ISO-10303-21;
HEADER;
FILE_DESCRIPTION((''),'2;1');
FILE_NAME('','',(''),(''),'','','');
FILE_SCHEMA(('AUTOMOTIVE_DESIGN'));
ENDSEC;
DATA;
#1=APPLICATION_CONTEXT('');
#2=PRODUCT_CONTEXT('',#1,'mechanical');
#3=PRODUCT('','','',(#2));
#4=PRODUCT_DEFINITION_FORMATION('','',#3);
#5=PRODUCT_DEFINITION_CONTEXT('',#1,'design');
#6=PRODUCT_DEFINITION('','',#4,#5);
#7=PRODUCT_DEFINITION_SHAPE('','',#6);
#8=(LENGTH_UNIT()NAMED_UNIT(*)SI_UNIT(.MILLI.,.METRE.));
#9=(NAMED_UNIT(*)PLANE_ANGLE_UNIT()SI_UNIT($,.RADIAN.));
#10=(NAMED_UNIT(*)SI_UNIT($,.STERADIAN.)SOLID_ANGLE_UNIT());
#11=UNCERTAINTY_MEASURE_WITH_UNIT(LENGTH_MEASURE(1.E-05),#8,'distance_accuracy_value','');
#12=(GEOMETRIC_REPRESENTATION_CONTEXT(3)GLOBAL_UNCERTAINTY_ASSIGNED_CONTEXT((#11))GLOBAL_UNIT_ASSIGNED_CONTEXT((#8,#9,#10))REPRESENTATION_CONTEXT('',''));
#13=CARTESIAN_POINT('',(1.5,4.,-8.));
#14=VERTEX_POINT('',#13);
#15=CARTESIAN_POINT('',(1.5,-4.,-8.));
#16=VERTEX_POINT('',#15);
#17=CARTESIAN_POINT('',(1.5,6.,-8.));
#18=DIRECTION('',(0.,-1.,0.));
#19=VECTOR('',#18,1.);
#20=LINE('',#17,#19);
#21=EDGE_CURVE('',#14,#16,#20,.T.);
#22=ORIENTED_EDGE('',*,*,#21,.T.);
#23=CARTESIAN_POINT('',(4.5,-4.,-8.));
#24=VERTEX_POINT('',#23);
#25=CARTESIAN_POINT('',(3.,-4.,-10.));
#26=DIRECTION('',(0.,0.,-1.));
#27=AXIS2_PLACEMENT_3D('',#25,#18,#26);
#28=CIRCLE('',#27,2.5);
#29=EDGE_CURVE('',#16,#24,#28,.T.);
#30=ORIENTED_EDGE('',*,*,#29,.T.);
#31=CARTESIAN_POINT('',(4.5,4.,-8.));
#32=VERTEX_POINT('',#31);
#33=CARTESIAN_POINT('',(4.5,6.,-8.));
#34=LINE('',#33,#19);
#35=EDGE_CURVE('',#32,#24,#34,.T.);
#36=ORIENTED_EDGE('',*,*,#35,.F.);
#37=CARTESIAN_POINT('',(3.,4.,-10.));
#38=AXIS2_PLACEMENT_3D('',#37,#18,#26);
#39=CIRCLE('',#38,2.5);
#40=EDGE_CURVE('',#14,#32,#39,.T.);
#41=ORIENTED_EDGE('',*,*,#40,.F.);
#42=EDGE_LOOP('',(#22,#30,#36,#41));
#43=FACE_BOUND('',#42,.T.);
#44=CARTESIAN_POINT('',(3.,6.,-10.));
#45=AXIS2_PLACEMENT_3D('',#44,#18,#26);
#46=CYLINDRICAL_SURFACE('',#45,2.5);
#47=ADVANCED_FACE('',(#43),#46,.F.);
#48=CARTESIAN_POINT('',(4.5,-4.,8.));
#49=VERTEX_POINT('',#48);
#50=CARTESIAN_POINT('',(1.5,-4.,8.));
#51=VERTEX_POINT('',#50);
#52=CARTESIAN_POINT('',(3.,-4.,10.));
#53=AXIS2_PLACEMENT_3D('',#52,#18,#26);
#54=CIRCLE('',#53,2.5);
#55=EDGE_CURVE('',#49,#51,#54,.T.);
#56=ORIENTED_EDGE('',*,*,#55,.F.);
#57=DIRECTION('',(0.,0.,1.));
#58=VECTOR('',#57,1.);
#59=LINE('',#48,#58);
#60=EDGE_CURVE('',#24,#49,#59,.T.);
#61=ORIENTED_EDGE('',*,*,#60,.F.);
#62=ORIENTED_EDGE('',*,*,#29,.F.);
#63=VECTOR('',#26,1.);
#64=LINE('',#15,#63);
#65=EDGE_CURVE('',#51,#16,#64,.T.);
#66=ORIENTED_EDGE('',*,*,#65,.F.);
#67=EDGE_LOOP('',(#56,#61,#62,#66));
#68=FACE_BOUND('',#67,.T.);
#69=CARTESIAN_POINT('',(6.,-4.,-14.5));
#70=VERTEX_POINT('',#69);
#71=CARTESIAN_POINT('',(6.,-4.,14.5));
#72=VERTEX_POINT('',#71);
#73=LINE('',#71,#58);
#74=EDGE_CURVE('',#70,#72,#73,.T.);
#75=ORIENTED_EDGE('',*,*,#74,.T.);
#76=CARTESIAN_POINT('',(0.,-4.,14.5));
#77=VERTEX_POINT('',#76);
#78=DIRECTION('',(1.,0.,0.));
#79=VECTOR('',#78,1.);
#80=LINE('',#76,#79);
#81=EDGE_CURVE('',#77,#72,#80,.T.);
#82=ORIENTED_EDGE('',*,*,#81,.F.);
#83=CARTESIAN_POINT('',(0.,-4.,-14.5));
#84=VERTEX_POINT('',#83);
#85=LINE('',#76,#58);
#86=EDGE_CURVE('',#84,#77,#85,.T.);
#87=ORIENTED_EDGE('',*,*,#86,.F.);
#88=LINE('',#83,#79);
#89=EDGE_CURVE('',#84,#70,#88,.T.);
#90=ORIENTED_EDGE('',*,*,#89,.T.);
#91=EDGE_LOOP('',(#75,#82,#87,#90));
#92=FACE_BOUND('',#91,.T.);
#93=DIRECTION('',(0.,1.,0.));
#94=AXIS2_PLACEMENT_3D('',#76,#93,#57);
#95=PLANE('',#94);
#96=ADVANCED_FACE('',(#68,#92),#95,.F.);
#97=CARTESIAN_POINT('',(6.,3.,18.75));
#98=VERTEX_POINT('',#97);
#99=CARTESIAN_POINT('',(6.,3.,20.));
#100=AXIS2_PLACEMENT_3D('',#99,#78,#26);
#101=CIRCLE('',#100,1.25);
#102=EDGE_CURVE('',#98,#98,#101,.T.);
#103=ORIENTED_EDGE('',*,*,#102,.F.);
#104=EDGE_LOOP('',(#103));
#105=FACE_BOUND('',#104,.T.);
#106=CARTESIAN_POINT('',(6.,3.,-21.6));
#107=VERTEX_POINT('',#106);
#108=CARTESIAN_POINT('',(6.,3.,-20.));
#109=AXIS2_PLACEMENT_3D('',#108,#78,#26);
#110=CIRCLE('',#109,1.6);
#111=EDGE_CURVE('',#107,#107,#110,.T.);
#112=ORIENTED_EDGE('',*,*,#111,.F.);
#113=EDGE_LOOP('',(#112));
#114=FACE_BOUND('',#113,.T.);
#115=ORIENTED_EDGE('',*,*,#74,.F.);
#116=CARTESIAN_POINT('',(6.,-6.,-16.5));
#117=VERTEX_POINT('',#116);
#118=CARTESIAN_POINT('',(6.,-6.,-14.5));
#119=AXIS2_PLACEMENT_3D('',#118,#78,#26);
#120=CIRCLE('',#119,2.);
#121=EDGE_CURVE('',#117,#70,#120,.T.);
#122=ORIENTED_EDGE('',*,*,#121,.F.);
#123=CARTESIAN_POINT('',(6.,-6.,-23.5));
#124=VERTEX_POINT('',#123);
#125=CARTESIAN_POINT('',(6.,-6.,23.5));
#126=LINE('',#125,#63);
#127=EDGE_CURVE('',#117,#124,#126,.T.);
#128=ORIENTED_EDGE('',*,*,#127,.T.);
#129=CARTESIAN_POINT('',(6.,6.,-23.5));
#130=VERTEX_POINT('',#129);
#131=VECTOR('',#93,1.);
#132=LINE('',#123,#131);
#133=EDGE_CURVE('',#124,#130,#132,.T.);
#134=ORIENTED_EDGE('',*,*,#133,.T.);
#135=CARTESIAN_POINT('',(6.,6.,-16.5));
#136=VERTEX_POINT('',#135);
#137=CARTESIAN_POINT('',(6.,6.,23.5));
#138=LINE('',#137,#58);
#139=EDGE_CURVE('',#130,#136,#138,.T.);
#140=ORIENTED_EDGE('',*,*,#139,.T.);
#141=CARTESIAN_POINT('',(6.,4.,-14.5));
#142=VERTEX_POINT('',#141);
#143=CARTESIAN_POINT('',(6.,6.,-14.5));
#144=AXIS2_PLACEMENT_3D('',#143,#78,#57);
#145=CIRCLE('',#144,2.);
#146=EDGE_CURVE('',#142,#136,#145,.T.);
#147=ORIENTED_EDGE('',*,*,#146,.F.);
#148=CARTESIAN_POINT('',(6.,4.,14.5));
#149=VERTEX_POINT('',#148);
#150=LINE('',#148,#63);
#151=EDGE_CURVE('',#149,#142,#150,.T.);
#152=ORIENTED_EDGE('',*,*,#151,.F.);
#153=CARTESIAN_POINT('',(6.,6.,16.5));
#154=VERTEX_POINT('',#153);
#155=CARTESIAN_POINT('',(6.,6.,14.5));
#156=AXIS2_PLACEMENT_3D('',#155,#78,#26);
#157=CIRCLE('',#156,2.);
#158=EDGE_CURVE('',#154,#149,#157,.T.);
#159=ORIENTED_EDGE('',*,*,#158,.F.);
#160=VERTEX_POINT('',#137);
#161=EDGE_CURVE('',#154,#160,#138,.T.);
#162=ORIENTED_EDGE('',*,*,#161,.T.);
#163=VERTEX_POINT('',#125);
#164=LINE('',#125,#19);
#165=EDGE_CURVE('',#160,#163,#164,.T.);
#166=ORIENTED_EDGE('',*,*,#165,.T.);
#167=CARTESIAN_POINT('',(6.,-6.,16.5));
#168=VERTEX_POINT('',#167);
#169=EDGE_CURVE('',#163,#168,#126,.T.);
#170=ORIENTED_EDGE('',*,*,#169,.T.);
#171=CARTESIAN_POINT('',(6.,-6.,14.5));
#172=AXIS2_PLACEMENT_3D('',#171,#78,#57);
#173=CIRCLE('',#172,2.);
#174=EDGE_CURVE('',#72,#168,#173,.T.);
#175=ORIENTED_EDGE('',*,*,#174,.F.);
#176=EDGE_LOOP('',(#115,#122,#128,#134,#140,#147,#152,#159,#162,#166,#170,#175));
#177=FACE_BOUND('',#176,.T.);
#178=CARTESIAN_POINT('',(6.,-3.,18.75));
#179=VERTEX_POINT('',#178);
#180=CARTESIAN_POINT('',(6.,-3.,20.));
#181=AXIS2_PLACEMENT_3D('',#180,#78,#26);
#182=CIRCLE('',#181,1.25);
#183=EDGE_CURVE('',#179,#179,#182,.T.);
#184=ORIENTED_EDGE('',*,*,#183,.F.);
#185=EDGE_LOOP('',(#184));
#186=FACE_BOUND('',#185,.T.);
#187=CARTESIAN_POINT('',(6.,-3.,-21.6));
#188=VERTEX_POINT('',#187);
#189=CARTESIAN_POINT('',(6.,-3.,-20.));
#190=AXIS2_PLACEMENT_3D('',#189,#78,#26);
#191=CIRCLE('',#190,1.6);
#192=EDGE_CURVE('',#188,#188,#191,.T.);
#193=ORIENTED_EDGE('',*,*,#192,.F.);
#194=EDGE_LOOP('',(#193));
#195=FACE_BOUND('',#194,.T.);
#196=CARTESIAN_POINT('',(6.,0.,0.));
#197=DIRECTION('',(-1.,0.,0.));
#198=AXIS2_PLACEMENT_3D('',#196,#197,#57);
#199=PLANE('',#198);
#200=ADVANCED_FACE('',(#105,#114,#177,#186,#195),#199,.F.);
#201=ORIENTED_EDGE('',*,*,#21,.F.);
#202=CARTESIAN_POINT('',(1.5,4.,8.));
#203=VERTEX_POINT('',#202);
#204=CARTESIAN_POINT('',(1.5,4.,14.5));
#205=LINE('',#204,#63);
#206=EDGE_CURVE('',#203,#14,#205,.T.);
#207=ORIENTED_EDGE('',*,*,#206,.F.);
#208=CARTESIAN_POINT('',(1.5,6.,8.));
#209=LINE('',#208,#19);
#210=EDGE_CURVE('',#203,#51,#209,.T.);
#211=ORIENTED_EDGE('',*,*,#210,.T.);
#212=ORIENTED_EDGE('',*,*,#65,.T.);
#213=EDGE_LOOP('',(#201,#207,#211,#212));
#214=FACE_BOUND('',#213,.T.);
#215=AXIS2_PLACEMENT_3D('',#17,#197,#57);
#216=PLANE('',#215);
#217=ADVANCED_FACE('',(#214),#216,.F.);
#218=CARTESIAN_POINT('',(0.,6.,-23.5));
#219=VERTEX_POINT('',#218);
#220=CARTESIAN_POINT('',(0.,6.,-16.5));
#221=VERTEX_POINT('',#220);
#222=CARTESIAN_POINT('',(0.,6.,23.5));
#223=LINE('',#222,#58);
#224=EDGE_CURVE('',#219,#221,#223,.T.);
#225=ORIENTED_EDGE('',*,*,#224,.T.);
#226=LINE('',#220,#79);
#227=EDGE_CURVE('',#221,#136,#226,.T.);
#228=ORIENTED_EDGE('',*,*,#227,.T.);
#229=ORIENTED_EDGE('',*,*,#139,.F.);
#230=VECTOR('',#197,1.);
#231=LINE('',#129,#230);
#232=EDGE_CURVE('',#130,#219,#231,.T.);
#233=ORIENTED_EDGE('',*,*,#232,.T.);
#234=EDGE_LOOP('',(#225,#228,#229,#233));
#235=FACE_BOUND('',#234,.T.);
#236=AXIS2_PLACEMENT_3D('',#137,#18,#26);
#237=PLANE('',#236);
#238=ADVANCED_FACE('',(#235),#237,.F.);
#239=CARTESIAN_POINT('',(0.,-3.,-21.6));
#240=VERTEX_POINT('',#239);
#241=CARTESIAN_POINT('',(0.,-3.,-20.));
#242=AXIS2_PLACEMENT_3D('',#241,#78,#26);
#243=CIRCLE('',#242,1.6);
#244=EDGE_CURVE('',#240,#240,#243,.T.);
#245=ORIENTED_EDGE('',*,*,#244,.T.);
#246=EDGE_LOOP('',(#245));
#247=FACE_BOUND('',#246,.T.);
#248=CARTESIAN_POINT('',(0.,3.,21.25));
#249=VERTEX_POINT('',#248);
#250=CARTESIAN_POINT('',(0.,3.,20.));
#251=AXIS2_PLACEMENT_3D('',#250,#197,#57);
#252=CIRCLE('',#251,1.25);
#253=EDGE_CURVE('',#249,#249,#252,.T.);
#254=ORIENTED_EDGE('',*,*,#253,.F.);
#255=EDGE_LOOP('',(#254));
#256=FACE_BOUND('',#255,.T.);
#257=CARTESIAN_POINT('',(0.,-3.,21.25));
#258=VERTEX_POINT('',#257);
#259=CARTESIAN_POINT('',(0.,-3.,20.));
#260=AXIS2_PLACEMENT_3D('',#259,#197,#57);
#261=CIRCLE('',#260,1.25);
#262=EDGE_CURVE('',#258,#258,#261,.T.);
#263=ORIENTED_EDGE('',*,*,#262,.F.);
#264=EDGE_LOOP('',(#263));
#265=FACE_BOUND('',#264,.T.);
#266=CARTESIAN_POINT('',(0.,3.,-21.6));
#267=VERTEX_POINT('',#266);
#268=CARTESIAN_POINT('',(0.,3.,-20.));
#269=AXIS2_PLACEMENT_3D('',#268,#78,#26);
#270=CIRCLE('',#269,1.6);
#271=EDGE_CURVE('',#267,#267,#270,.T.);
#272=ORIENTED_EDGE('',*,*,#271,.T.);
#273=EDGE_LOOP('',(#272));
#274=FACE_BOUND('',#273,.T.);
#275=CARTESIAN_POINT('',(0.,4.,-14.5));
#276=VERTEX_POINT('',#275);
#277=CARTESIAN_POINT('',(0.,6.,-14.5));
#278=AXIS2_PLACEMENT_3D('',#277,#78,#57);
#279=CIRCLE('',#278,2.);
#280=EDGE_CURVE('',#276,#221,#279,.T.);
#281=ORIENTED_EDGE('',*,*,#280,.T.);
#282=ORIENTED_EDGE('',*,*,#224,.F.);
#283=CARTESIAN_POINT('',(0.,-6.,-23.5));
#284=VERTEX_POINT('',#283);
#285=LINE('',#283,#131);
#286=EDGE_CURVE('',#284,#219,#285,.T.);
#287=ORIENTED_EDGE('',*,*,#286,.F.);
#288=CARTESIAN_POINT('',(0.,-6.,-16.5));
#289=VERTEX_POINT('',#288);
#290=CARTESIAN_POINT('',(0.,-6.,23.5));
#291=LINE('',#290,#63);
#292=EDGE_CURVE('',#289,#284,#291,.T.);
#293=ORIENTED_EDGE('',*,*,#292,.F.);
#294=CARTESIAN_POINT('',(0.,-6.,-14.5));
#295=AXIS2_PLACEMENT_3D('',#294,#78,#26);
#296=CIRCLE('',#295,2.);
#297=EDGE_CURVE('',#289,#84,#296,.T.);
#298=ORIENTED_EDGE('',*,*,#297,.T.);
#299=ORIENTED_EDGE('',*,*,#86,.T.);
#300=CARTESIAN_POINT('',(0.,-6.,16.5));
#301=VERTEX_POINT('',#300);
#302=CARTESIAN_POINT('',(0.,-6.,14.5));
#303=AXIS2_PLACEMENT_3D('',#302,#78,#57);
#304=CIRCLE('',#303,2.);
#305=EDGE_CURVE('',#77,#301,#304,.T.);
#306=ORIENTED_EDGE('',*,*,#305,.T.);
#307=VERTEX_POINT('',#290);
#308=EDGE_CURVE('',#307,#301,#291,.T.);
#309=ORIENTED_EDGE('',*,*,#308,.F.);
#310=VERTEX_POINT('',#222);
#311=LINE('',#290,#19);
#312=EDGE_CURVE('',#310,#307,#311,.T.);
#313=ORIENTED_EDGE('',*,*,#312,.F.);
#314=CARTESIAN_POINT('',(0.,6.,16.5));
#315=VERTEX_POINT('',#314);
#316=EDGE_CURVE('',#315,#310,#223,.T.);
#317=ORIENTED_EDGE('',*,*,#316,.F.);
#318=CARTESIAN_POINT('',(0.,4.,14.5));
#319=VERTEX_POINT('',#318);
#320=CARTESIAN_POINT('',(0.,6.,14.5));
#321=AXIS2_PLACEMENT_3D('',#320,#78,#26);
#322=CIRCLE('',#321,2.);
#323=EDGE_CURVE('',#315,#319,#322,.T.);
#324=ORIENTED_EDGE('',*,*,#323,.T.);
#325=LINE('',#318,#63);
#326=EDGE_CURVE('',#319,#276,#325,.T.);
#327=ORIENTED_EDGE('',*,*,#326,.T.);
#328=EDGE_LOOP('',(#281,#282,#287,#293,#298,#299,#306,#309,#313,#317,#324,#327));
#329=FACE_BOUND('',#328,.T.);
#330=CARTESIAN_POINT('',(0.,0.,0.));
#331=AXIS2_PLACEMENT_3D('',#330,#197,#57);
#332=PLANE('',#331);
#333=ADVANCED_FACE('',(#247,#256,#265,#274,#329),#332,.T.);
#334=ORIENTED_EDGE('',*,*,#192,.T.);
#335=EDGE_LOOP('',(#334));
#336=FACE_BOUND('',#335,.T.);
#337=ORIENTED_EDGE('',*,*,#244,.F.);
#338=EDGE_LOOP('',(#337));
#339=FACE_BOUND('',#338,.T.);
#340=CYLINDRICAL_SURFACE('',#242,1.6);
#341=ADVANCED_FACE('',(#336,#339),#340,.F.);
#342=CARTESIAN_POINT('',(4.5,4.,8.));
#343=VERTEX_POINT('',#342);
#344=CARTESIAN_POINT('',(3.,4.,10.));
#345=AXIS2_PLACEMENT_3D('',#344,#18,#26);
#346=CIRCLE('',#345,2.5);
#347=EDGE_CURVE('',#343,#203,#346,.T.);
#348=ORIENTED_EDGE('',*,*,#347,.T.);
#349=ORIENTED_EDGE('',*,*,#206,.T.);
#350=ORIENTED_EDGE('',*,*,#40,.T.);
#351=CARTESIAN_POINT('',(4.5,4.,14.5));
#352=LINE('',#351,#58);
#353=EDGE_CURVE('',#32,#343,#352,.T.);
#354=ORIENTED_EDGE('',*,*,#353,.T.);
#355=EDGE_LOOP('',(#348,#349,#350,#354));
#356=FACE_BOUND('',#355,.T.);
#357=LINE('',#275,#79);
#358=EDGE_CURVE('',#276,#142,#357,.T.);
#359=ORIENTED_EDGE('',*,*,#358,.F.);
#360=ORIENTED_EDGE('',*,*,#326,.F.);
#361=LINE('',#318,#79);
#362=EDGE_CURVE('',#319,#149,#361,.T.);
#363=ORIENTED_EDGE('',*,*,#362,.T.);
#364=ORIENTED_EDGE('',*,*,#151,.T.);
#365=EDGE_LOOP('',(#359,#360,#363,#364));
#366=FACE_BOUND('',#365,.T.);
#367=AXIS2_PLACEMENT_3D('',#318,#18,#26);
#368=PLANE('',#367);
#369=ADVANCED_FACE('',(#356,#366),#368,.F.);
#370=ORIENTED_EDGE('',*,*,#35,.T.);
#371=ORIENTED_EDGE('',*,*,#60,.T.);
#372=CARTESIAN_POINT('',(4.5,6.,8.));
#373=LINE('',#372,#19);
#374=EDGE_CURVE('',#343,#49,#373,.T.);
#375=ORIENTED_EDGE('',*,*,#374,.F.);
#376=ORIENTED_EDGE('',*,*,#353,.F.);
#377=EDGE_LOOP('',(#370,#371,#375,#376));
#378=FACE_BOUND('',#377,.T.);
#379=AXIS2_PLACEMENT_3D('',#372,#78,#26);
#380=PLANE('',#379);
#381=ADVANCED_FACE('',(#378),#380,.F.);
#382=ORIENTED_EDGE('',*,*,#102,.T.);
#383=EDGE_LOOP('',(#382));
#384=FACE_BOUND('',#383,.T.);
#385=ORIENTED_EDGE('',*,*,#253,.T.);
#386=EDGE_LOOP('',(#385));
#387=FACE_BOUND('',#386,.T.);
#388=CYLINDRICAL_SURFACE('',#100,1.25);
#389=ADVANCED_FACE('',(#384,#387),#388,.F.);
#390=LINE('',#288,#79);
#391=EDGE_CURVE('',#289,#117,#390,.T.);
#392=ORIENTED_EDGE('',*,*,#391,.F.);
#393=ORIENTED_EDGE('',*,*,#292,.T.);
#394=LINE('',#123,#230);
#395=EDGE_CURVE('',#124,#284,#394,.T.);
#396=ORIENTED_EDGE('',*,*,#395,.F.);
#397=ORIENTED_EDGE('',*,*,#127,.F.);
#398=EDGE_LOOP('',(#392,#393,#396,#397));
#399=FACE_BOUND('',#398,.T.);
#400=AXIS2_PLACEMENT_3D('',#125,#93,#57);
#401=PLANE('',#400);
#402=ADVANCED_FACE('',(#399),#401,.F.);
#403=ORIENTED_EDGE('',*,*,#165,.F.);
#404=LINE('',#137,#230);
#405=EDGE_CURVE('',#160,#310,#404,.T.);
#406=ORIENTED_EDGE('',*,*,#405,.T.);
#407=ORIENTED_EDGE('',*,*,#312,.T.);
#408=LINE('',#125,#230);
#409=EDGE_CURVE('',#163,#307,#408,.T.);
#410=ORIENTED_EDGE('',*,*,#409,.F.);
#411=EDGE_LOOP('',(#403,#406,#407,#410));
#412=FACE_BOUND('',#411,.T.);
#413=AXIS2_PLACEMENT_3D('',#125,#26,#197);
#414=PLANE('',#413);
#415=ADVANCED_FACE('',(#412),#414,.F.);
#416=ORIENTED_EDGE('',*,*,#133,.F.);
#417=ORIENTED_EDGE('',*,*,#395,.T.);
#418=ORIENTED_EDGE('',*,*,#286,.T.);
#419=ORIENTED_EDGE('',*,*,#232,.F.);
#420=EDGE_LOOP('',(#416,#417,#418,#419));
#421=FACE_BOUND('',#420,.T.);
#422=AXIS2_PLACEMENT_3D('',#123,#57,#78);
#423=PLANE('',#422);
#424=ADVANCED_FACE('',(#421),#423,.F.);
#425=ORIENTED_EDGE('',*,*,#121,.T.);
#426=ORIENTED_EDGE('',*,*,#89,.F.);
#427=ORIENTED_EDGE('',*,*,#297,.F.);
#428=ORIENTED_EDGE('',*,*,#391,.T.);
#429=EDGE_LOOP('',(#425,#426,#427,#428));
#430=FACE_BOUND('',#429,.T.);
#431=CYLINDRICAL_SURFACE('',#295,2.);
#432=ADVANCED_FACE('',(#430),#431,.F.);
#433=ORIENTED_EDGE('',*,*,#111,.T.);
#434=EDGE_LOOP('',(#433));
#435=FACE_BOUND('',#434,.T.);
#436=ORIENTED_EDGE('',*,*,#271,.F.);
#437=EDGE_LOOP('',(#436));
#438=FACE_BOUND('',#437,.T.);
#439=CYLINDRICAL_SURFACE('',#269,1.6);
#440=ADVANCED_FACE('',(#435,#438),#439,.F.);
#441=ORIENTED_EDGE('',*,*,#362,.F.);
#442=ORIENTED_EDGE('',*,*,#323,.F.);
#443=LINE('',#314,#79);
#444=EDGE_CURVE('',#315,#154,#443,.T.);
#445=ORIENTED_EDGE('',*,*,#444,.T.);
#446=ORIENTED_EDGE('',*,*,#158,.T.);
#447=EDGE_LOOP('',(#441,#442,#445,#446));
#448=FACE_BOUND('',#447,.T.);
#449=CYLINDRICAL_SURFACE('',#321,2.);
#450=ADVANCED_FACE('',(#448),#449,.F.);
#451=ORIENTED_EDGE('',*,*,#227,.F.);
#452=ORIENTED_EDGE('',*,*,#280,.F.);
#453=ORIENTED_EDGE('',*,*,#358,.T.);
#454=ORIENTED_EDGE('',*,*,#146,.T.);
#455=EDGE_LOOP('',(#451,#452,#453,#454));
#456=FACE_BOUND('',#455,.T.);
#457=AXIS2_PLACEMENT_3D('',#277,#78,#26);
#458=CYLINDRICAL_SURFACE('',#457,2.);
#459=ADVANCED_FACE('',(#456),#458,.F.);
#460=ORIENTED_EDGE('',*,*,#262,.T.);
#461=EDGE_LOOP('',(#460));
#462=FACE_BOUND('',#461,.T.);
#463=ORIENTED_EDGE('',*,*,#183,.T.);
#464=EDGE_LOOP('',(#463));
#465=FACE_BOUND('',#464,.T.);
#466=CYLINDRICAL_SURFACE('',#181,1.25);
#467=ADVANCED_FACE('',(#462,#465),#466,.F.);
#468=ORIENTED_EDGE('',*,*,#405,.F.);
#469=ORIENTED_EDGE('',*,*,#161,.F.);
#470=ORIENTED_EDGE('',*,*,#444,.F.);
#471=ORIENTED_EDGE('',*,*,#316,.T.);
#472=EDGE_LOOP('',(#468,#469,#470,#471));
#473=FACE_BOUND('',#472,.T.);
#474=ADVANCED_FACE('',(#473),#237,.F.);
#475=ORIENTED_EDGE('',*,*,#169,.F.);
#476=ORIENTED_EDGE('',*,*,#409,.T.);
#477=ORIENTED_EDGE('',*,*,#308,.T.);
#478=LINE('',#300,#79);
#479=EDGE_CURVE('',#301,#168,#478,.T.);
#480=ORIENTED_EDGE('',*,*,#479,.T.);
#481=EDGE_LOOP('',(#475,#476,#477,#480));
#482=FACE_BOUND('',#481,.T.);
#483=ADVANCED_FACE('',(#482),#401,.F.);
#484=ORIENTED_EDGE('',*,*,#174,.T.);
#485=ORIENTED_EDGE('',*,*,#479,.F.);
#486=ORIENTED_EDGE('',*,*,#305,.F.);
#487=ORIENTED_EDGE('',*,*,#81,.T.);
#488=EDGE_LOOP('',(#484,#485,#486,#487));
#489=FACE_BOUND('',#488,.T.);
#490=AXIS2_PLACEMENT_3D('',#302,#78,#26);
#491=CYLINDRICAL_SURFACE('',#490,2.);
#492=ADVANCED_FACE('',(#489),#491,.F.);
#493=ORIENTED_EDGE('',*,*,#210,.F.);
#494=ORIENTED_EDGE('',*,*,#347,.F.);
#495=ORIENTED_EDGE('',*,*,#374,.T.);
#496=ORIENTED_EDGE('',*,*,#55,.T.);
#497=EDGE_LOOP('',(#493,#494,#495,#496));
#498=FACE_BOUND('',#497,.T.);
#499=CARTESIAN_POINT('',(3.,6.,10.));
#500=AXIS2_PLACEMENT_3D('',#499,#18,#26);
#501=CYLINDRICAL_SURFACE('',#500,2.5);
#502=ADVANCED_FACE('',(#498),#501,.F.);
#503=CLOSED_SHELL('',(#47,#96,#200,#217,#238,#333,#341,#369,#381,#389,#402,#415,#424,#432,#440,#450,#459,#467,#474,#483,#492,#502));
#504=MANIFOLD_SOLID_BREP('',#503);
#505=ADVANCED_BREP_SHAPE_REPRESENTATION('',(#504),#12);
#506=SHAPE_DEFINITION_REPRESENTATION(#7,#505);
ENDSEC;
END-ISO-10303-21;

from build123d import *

# Parameters (mm, degrees)
SKETCH1_W                 = 47
SKETCH1_H                 = 12
BOSS_EXTRUDE1_DEPTH       = 6
CUT_EXTRUDE2_DEPTH        = 25.984995497
SKETCH4_R                 = 1.6
CUT_EXTRUDE3_DEPTH        = 25.984995497
M3X0_5_TAPPED_HOLE1_D     = 2.5
M3X0_5_TAPPED_HOLE1_DEPTH = 7.5
M3X0_5_TAPPED_HOLE1_TIP   = 0.751075774
CUT_EXTRUDE4_DEPTH        = 27.234519245


with BuildPart() as part:
    # Sketch1 → Boss-Extrude1 (new body)
    with BuildSketch(Plane(origin=(0, 0, 0), x_dir=(0, 0, -1), z_dir=(1, 0, 0))):
        Rectangle(SKETCH1_W, SKETCH1_H)
    extrude(amount=BOSS_EXTRUDE1_DEPTH)

    # Sketch3 → Cut-Extrude2 (cut, through all)
    with BuildSketch(Plane(origin=(6, 0, 0), x_dir=(0, 0, -1), z_dir=(1, 0, 0))):
        with BuildLine():
            Line((16.5, 6), (-16.5, 6))
            ThreePointArc((-16.5, 6), (-15.914213562, 4.585786438), (-14.5, 4))
            Line((-14.5, 4), (14.5, 4))
            ThreePointArc((14.5, 4), (15.914213562, 4.585786438), (16.5, 6))
        make_face()
        with BuildLine():
            Line((-14.5, -4), (14.5, -4))
            ThreePointArc((14.5, -4), (15.914213562, -4.585786438), (16.5, -6))
            Line((16.5, -6), (-16.5, -6))
            ThreePointArc((-16.5, -6), (-15.914213562, -4.585786438), (-14.5, -4))
        make_face()
    extrude(amount=-CUT_EXTRUDE2_DEPTH, mode=Mode.SUBTRACT)

    # Sketch4 → Cut-Extrude3 (cut, through all)
    with BuildSketch(Plane(origin=(6, 0, 0), x_dir=(0, 0, -1), z_dir=(1, 0, 0))):
        with Locations((20, 3)):
            Circle(SKETCH4_R)
        with Locations((20, -3)):
            Circle(SKETCH4_R)
    extrude(amount=-CUT_EXTRUDE3_DEPTH, mode=Mode.SUBTRACT)

    # M3x0.5 Tapped Hole1
    with Locations(Plane(origin=(6, 0, 0), x_dir=(0, 0, -1), z_dir=(1, 0, 0))):
        with Locations((-20, 3), (-20, -3)):
            Hole(M3X0_5_TAPPED_HOLE1_D / 2, depth=M3X0_5_TAPPED_HOLE1_DEPTH)
            with Locations((0, 0, -(M3X0_5_TAPPED_HOLE1_DEPTH + M3X0_5_TAPPED_HOLE1_TIP / 2))):  # 118° drill point
                Cone(0, M3X0_5_TAPPED_HOLE1_D / 2, M3X0_5_TAPPED_HOLE1_TIP, mode=Mode.SUBTRACT)

    # Sketch8 → Cut-Extrude4 (cut, through all)
    with BuildSketch(Plane.XZ.offset(4)):
        with BuildLine():
            Line((4.5, 8), (4.5, -8))
            ThreePointArc((4.5, -8), (3, -12.5), (1.5, -8))
            Line((1.5, -8), (1.5, 8))
            ThreePointArc((1.5, 8), (3, 12.5), (4.5, 8))
        make_face()
    extrude(amount=-CUT_EXTRUDE4_DEPTH, mode=Mode.SUBTRACT)


solid = part.part
